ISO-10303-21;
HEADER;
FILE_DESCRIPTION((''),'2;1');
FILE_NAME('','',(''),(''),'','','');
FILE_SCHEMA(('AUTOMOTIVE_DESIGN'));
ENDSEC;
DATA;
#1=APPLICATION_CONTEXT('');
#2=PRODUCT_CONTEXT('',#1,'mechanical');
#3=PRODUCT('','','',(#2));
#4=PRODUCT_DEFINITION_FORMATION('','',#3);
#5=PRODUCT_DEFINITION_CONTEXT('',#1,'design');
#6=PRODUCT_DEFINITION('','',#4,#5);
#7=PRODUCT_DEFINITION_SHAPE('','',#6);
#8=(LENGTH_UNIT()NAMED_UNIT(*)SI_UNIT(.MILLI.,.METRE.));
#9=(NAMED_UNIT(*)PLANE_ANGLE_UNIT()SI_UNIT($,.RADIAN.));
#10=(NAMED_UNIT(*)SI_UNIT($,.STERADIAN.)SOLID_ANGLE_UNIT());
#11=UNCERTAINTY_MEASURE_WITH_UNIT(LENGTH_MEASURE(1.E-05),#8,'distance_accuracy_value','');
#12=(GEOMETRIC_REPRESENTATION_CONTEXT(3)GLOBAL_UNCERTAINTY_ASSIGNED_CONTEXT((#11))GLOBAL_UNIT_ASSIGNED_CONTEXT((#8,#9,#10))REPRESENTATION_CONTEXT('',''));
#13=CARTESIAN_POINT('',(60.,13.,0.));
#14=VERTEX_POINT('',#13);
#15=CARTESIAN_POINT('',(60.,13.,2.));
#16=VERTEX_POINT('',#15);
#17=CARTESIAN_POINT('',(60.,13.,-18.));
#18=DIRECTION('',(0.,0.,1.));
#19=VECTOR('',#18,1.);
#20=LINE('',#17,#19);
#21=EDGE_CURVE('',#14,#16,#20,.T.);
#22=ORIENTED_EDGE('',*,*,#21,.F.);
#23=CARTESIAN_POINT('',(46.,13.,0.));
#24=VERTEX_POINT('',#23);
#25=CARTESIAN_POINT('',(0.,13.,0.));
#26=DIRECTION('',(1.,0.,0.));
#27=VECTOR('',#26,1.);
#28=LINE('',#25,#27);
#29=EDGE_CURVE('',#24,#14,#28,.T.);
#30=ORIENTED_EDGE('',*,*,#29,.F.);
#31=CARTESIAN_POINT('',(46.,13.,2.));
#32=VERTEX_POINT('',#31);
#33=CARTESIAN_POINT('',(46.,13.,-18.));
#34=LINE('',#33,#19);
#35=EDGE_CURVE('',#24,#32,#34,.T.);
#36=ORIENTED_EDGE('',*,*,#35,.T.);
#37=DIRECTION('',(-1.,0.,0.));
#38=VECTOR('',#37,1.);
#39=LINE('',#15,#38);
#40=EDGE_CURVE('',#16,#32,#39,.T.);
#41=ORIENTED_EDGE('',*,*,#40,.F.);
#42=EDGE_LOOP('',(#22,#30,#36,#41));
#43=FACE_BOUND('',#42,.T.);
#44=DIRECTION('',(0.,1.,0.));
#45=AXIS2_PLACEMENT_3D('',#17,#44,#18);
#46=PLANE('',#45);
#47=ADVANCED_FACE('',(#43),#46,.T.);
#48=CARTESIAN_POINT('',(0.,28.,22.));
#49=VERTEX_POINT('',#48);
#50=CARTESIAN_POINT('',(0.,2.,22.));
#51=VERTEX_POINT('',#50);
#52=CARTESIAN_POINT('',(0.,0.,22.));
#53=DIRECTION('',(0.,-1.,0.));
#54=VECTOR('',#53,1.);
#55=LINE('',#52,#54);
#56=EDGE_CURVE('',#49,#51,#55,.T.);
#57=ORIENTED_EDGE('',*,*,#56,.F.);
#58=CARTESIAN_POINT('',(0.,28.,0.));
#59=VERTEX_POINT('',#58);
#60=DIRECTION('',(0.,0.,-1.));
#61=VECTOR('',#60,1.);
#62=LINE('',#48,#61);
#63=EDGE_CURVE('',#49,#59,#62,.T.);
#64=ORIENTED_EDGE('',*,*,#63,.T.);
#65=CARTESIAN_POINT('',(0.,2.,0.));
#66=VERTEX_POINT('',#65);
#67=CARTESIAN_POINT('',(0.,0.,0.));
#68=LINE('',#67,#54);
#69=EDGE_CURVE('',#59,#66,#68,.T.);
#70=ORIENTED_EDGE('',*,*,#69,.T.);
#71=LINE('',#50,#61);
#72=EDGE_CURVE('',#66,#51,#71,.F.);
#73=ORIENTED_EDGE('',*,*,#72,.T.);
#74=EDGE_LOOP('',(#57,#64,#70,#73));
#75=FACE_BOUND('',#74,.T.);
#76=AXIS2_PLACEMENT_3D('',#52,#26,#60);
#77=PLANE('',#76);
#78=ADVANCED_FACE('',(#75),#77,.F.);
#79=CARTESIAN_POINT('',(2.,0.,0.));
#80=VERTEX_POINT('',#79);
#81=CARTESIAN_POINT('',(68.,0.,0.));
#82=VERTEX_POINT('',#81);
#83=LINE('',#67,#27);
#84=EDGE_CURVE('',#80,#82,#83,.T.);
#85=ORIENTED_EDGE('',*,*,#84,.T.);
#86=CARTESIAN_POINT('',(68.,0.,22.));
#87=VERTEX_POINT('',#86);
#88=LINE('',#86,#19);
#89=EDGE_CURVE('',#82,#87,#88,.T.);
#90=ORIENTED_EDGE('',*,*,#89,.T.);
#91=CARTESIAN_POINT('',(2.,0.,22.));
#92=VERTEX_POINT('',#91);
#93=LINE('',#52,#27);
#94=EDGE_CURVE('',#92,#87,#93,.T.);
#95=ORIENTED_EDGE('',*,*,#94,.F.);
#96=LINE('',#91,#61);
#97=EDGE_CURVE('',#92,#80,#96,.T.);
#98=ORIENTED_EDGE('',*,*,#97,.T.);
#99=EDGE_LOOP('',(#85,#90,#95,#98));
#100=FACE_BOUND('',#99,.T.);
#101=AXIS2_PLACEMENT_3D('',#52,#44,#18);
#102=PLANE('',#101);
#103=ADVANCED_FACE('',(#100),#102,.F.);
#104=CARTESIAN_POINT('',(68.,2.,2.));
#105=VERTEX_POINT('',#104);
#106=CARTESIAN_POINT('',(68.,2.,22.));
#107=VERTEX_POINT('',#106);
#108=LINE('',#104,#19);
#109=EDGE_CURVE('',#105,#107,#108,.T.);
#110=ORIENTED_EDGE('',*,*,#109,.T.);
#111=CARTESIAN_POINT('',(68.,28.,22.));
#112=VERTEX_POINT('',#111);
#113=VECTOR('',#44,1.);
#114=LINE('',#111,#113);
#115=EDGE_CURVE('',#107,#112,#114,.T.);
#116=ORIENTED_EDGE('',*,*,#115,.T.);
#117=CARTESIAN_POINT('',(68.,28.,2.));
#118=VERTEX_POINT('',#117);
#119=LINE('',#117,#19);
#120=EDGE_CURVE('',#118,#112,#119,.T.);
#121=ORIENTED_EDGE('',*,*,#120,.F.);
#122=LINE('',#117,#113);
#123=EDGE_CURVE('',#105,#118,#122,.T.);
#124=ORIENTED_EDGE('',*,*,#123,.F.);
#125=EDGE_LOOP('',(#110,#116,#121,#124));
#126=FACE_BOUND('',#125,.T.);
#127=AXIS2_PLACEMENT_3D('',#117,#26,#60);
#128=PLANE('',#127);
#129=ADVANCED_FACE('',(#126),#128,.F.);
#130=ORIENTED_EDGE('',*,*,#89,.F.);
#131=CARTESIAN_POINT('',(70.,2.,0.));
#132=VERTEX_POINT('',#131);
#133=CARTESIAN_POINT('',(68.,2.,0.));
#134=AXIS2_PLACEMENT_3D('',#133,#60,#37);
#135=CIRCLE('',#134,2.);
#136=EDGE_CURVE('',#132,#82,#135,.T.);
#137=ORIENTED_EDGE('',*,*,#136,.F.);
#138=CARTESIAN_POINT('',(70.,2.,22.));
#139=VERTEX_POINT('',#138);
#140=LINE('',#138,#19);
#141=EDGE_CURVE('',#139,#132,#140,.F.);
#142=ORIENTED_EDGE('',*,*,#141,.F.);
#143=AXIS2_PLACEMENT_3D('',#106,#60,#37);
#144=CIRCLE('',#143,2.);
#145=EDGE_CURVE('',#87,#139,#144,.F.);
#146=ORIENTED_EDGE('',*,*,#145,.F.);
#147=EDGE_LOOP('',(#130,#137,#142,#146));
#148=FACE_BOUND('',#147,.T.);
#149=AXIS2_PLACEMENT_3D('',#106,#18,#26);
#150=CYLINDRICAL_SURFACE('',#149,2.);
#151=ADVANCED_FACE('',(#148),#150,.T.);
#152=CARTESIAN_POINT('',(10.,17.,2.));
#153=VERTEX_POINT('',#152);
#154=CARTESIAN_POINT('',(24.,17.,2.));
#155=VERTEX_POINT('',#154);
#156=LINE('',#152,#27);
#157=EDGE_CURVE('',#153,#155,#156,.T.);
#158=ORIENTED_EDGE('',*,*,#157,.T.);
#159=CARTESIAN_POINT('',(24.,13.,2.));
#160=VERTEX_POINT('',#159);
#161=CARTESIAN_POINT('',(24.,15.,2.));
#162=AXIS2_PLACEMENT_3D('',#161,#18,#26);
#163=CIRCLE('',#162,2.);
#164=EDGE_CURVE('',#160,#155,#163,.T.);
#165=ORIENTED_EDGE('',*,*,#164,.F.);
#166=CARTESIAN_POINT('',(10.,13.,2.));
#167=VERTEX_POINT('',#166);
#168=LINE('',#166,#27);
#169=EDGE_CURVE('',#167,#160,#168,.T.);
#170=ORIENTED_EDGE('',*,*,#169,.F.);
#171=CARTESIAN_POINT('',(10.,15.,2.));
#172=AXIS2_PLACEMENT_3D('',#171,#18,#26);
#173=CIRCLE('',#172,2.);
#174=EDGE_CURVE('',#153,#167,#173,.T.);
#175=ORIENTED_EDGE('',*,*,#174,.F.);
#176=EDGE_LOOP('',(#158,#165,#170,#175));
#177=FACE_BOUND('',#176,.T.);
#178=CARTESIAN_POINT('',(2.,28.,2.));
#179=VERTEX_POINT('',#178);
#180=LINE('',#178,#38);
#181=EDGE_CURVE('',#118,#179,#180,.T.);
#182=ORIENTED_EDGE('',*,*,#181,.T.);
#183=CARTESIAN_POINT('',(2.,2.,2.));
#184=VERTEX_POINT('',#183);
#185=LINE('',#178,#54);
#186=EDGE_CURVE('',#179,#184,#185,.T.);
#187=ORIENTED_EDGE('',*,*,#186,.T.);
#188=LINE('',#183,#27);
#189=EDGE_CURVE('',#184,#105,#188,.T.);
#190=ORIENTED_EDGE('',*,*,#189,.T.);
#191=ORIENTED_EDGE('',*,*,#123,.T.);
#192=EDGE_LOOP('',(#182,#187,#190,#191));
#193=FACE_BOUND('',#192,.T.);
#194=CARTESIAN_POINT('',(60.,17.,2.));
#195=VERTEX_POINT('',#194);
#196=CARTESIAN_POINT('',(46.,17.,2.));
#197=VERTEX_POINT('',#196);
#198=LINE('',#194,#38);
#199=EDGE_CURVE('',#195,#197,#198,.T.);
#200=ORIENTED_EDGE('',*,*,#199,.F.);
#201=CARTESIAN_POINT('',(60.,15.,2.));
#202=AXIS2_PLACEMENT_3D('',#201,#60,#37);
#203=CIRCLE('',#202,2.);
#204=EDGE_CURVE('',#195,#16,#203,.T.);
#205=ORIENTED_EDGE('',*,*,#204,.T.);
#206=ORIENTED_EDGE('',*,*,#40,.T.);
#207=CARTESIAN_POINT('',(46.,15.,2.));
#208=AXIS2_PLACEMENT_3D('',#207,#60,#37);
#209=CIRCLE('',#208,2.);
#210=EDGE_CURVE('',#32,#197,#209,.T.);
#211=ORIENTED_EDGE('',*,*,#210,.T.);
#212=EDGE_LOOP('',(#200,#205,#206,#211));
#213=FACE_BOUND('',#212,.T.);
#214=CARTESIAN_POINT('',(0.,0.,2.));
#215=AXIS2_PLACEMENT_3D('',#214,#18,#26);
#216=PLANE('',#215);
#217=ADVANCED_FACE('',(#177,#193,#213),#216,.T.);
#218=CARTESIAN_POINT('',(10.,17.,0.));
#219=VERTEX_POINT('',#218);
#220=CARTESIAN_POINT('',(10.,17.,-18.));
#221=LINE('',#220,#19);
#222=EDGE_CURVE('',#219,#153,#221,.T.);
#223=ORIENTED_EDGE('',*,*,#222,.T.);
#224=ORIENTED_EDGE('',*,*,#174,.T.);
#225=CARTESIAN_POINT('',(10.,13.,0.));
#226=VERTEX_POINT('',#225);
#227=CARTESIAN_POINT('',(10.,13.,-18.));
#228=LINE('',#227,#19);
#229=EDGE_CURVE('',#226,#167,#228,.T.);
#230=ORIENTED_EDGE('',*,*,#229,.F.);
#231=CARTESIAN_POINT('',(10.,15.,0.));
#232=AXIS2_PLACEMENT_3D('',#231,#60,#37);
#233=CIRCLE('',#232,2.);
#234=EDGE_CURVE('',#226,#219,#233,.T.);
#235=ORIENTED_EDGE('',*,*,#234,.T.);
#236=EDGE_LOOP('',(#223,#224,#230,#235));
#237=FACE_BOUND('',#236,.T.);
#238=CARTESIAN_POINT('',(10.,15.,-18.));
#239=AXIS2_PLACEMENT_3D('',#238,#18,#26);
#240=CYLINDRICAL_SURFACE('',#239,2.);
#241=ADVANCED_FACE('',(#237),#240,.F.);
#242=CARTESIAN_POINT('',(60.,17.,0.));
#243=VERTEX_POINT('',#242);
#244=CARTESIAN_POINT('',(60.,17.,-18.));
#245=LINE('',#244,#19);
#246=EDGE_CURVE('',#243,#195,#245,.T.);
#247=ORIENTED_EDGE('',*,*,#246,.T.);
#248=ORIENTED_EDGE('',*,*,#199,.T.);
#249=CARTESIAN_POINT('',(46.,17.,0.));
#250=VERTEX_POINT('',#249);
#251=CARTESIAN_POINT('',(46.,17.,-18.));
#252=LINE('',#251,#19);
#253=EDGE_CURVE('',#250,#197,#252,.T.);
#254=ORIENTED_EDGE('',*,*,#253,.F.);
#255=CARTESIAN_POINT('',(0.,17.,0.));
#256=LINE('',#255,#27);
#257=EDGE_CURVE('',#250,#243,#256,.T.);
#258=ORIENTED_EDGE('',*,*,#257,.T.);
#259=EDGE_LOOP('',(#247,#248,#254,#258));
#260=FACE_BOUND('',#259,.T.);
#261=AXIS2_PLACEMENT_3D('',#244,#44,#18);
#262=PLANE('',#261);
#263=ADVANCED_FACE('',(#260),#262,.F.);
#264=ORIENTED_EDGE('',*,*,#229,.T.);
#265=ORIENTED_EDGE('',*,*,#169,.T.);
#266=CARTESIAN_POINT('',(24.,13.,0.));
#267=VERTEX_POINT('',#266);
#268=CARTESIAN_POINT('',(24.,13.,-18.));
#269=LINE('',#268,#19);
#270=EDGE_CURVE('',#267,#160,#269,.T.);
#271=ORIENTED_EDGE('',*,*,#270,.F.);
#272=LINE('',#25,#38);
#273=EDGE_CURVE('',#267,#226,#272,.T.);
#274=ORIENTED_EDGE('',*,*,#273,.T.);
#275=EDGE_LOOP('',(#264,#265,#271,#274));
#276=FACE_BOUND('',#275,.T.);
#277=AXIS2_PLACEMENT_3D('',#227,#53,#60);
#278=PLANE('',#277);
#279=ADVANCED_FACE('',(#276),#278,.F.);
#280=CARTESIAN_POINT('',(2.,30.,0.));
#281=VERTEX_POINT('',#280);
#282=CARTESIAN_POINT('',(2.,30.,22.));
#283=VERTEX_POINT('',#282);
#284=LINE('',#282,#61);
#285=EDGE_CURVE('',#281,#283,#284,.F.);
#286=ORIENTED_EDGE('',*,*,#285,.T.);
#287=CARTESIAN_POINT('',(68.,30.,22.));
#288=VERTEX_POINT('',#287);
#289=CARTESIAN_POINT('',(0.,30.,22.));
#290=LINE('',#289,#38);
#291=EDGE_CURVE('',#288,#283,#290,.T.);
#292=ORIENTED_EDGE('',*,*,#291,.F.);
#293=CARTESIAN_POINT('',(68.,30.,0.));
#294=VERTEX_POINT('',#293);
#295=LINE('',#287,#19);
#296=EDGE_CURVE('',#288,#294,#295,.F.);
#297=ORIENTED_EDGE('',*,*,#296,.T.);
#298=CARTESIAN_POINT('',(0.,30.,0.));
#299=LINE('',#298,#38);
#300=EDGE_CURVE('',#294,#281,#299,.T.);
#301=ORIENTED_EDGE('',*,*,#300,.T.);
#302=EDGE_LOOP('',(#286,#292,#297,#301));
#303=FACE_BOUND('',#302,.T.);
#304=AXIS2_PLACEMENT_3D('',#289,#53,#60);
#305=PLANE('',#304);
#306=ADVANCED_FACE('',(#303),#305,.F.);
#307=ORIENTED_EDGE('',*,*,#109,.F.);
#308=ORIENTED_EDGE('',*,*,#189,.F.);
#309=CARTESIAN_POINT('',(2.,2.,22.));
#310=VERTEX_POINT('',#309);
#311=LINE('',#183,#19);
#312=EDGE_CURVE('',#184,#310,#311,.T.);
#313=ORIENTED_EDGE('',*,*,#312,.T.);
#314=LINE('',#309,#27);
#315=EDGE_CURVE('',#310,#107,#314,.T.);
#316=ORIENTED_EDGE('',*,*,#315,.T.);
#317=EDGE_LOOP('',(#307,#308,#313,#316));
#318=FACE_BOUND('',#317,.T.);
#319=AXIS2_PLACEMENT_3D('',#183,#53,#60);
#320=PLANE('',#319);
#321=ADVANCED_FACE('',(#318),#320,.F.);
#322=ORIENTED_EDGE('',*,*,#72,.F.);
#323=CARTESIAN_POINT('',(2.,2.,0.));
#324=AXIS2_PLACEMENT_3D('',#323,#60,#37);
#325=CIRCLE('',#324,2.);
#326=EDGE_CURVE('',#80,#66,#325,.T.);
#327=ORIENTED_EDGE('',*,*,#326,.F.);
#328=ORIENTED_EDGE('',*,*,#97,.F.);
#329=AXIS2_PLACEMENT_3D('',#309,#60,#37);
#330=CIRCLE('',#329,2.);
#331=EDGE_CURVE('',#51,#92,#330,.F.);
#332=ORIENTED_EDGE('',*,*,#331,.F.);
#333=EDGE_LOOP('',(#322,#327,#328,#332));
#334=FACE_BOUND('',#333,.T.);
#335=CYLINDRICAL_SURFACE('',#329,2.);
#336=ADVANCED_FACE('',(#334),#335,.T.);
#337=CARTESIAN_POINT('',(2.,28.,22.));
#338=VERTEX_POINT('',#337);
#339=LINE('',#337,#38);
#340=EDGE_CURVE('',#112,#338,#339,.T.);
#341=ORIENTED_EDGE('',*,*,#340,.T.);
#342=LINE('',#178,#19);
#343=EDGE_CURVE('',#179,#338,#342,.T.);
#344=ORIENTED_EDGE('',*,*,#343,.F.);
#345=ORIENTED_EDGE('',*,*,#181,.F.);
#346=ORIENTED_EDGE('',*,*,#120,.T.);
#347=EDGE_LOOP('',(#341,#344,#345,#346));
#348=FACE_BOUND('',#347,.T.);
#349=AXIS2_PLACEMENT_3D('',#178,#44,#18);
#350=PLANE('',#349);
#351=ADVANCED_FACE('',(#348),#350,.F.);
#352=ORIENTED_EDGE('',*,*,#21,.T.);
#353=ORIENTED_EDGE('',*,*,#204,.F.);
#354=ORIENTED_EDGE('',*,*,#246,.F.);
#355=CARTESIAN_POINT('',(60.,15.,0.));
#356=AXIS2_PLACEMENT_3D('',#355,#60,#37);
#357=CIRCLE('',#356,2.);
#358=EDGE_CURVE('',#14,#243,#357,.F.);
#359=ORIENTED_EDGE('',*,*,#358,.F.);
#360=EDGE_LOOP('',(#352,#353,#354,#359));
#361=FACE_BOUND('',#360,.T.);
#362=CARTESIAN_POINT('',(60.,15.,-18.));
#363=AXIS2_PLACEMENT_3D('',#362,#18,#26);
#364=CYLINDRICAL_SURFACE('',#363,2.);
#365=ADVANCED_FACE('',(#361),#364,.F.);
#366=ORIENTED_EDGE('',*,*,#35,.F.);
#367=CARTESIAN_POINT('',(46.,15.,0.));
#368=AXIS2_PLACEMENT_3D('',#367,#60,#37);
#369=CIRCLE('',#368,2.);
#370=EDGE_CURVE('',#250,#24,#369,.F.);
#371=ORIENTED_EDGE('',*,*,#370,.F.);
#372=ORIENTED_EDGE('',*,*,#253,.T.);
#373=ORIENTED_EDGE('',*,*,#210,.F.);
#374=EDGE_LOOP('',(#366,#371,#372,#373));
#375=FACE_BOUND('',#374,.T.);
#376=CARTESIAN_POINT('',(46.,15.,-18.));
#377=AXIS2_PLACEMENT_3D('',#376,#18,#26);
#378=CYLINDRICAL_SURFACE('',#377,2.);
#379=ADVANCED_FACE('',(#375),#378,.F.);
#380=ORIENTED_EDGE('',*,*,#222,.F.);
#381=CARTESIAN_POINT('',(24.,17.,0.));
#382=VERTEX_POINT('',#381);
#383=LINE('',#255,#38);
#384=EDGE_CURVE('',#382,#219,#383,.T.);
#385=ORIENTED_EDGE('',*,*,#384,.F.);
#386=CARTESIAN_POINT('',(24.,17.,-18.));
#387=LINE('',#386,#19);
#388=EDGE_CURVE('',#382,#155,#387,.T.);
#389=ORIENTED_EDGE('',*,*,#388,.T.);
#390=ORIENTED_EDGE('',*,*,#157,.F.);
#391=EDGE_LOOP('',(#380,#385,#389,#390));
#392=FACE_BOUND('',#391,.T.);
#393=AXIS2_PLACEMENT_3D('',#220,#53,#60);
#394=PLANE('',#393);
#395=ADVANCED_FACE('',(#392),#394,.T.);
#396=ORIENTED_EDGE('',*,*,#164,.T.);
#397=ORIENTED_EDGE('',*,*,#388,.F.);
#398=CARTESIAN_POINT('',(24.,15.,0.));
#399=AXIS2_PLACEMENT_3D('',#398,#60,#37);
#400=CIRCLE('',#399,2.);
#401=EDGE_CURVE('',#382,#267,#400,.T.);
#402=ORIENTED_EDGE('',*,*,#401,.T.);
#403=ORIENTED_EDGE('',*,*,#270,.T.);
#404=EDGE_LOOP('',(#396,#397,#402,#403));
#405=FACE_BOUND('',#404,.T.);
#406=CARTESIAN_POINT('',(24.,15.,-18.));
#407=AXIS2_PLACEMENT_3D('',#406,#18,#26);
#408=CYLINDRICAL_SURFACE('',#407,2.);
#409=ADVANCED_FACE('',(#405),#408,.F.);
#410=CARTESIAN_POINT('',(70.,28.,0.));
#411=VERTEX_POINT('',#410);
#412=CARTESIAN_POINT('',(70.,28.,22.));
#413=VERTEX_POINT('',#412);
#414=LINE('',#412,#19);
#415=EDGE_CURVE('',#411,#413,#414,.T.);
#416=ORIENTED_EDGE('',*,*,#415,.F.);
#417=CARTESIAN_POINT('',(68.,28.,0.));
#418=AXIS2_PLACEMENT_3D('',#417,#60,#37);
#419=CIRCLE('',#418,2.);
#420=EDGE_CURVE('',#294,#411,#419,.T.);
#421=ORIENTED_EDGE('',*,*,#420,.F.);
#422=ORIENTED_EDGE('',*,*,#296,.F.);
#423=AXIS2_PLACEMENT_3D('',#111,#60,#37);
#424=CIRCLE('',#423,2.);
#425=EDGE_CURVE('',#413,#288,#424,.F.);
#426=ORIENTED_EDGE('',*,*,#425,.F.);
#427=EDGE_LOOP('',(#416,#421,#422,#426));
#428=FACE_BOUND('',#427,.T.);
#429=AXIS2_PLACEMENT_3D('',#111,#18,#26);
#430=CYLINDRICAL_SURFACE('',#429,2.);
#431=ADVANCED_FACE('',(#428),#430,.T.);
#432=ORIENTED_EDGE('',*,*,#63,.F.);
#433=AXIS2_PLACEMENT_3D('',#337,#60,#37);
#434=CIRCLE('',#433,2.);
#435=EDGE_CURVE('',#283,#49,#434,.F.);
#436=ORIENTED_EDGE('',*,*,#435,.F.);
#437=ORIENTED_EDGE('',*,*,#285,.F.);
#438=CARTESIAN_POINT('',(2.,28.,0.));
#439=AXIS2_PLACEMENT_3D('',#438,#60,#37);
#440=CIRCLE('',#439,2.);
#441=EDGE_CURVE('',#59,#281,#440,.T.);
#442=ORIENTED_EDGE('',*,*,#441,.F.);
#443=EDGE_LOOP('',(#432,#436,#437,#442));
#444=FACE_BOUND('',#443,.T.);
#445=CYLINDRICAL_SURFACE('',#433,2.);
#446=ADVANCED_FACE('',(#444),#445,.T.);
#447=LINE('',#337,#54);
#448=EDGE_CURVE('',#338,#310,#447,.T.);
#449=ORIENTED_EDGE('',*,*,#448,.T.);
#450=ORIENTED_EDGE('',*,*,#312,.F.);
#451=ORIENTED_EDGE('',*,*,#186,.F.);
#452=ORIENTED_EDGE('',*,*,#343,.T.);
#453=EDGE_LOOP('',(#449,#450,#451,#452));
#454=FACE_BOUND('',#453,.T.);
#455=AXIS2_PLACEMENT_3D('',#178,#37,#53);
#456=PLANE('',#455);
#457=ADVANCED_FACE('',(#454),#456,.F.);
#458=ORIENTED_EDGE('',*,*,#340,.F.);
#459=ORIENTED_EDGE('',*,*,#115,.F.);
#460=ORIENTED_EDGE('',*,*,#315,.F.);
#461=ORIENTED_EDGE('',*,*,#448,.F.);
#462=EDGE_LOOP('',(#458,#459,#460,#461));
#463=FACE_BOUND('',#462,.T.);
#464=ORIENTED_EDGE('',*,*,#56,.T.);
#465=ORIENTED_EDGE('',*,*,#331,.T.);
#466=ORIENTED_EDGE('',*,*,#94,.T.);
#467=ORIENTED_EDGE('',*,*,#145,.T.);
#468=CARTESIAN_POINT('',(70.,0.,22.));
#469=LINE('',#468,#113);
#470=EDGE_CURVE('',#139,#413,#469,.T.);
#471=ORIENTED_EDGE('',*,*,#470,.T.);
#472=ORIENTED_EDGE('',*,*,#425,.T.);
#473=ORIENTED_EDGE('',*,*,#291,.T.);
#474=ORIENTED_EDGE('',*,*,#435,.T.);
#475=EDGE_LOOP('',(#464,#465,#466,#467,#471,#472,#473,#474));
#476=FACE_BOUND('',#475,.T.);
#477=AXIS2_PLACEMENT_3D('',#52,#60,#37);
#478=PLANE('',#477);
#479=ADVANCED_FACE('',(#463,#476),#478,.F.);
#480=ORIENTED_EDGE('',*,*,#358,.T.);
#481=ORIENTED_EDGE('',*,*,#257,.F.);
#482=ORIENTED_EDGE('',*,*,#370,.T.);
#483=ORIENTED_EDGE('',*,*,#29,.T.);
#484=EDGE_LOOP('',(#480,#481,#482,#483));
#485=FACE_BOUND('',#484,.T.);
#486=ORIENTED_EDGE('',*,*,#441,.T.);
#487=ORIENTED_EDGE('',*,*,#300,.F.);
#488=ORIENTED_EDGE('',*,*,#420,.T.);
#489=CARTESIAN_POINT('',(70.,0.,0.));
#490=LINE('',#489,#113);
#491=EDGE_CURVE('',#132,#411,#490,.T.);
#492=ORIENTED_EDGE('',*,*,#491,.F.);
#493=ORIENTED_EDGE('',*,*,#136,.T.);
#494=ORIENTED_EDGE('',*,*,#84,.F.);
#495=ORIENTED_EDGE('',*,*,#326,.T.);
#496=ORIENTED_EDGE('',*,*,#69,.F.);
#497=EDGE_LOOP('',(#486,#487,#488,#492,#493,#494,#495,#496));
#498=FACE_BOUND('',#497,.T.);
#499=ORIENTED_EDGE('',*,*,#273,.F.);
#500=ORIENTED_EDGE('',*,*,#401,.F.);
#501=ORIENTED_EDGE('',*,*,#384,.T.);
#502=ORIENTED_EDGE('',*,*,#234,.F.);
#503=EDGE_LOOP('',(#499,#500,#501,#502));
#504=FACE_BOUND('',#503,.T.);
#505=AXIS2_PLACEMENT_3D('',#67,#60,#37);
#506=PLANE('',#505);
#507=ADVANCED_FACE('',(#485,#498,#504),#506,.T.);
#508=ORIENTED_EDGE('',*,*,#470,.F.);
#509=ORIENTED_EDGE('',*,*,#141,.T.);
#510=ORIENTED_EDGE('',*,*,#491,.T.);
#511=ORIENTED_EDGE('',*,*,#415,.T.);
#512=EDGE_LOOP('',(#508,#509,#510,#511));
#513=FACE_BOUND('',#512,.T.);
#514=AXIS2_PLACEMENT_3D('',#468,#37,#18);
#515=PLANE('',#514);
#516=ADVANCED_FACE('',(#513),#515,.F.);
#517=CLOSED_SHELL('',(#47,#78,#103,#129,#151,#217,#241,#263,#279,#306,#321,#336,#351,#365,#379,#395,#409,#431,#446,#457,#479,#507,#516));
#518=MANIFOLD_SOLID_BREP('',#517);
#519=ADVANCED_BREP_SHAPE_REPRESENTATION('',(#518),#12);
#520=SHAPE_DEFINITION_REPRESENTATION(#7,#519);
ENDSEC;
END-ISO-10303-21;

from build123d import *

# Parameters (mm, degrees)
CROQUIS1_W              = 70
CROQUIS1_H              = 30
SALIENTE_EXTRUIR4_DEPTH = 22
CROQUIS5_W              = 66
CROQUIS5_H              = 26
CORTAR_EXTRUIR1_DEPTH   = 20
CORTAR_EXTRUIR3_DEPTH   = 20
REDONDEO2_R             = 2
REDONDEO3_R             = 2
REDONDEO4_R             = 2
REDONDEO5_R             = 2


with BuildPart() as part:
    # Croquis1 → Saliente-Extruir4 (new body)
    with BuildSketch(Plane.XY):
        with Locations((35, 15)):
            Rectangle(CROQUIS1_W, CROQUIS1_H)
    extrude(amount=SALIENTE_EXTRUIR4_DEPTH)

    # Croquis5 → Cortar-Extruir1 (cut)
    with BuildSketch(Plane.XY.offset(22)):
        with Locations((35, 15)):
            Rectangle(CROQUIS5_W, CROQUIS5_H)
    extrude(amount=-CORTAR_EXTRUIR1_DEPTH, mode=Mode.SUBTRACT)

    # Croquis6 → Cortar-Extruir3 (cut)
    with BuildSketch(Plane.XY.offset(2)):
        with BuildLine():
            Line((10, 17), (24, 17))
            ThreePointArc((24, 17), (26, 15), (24, 13))
            Line((24, 13), (10, 13))
            ThreePointArc((10, 13), (8, 15), (10, 17))
        make_face()
        with BuildLine():
            Line((60, 17), (46, 17))
            ThreePointArc((46, 17), (44, 15), (46, 13))
            Line((46, 13), (60, 13))
            ThreePointArc((60, 13), (62, 15), (60, 17))
        make_face()
    extrude(amount=-CORTAR_EXTRUIR3_DEPTH, mode=Mode.SUBTRACT)

    # Redondeo2
    redondeo2_edges = [part.edges().sort_by_distance(p)[0] for p in [
        (70, 0, 11),
    ]]
    fillet(redondeo2_edges, radius=REDONDEO2_R)

    # Redondeo3
    redondeo3_edges = [part.edges().sort_by_distance(p)[0] for p in [
        (70, 30, 11),
    ]]
    fillet(redondeo3_edges, radius=REDONDEO3_R)

    # Redondeo4
    redondeo4_edges = [part.edges().sort_by_distance(p)[0] for p in [
        (0, 0, 11),
    ]]
    fillet(redondeo4_edges, radius=REDONDEO4_R)

    # Redondeo5
    redondeo5_edges = [part.edges().sort_by_distance(p)[0] for p in [
        (0, 30, 11),
    ]]
    fillet(redondeo5_edges, radius=REDONDEO5_R)


solid = part.part
